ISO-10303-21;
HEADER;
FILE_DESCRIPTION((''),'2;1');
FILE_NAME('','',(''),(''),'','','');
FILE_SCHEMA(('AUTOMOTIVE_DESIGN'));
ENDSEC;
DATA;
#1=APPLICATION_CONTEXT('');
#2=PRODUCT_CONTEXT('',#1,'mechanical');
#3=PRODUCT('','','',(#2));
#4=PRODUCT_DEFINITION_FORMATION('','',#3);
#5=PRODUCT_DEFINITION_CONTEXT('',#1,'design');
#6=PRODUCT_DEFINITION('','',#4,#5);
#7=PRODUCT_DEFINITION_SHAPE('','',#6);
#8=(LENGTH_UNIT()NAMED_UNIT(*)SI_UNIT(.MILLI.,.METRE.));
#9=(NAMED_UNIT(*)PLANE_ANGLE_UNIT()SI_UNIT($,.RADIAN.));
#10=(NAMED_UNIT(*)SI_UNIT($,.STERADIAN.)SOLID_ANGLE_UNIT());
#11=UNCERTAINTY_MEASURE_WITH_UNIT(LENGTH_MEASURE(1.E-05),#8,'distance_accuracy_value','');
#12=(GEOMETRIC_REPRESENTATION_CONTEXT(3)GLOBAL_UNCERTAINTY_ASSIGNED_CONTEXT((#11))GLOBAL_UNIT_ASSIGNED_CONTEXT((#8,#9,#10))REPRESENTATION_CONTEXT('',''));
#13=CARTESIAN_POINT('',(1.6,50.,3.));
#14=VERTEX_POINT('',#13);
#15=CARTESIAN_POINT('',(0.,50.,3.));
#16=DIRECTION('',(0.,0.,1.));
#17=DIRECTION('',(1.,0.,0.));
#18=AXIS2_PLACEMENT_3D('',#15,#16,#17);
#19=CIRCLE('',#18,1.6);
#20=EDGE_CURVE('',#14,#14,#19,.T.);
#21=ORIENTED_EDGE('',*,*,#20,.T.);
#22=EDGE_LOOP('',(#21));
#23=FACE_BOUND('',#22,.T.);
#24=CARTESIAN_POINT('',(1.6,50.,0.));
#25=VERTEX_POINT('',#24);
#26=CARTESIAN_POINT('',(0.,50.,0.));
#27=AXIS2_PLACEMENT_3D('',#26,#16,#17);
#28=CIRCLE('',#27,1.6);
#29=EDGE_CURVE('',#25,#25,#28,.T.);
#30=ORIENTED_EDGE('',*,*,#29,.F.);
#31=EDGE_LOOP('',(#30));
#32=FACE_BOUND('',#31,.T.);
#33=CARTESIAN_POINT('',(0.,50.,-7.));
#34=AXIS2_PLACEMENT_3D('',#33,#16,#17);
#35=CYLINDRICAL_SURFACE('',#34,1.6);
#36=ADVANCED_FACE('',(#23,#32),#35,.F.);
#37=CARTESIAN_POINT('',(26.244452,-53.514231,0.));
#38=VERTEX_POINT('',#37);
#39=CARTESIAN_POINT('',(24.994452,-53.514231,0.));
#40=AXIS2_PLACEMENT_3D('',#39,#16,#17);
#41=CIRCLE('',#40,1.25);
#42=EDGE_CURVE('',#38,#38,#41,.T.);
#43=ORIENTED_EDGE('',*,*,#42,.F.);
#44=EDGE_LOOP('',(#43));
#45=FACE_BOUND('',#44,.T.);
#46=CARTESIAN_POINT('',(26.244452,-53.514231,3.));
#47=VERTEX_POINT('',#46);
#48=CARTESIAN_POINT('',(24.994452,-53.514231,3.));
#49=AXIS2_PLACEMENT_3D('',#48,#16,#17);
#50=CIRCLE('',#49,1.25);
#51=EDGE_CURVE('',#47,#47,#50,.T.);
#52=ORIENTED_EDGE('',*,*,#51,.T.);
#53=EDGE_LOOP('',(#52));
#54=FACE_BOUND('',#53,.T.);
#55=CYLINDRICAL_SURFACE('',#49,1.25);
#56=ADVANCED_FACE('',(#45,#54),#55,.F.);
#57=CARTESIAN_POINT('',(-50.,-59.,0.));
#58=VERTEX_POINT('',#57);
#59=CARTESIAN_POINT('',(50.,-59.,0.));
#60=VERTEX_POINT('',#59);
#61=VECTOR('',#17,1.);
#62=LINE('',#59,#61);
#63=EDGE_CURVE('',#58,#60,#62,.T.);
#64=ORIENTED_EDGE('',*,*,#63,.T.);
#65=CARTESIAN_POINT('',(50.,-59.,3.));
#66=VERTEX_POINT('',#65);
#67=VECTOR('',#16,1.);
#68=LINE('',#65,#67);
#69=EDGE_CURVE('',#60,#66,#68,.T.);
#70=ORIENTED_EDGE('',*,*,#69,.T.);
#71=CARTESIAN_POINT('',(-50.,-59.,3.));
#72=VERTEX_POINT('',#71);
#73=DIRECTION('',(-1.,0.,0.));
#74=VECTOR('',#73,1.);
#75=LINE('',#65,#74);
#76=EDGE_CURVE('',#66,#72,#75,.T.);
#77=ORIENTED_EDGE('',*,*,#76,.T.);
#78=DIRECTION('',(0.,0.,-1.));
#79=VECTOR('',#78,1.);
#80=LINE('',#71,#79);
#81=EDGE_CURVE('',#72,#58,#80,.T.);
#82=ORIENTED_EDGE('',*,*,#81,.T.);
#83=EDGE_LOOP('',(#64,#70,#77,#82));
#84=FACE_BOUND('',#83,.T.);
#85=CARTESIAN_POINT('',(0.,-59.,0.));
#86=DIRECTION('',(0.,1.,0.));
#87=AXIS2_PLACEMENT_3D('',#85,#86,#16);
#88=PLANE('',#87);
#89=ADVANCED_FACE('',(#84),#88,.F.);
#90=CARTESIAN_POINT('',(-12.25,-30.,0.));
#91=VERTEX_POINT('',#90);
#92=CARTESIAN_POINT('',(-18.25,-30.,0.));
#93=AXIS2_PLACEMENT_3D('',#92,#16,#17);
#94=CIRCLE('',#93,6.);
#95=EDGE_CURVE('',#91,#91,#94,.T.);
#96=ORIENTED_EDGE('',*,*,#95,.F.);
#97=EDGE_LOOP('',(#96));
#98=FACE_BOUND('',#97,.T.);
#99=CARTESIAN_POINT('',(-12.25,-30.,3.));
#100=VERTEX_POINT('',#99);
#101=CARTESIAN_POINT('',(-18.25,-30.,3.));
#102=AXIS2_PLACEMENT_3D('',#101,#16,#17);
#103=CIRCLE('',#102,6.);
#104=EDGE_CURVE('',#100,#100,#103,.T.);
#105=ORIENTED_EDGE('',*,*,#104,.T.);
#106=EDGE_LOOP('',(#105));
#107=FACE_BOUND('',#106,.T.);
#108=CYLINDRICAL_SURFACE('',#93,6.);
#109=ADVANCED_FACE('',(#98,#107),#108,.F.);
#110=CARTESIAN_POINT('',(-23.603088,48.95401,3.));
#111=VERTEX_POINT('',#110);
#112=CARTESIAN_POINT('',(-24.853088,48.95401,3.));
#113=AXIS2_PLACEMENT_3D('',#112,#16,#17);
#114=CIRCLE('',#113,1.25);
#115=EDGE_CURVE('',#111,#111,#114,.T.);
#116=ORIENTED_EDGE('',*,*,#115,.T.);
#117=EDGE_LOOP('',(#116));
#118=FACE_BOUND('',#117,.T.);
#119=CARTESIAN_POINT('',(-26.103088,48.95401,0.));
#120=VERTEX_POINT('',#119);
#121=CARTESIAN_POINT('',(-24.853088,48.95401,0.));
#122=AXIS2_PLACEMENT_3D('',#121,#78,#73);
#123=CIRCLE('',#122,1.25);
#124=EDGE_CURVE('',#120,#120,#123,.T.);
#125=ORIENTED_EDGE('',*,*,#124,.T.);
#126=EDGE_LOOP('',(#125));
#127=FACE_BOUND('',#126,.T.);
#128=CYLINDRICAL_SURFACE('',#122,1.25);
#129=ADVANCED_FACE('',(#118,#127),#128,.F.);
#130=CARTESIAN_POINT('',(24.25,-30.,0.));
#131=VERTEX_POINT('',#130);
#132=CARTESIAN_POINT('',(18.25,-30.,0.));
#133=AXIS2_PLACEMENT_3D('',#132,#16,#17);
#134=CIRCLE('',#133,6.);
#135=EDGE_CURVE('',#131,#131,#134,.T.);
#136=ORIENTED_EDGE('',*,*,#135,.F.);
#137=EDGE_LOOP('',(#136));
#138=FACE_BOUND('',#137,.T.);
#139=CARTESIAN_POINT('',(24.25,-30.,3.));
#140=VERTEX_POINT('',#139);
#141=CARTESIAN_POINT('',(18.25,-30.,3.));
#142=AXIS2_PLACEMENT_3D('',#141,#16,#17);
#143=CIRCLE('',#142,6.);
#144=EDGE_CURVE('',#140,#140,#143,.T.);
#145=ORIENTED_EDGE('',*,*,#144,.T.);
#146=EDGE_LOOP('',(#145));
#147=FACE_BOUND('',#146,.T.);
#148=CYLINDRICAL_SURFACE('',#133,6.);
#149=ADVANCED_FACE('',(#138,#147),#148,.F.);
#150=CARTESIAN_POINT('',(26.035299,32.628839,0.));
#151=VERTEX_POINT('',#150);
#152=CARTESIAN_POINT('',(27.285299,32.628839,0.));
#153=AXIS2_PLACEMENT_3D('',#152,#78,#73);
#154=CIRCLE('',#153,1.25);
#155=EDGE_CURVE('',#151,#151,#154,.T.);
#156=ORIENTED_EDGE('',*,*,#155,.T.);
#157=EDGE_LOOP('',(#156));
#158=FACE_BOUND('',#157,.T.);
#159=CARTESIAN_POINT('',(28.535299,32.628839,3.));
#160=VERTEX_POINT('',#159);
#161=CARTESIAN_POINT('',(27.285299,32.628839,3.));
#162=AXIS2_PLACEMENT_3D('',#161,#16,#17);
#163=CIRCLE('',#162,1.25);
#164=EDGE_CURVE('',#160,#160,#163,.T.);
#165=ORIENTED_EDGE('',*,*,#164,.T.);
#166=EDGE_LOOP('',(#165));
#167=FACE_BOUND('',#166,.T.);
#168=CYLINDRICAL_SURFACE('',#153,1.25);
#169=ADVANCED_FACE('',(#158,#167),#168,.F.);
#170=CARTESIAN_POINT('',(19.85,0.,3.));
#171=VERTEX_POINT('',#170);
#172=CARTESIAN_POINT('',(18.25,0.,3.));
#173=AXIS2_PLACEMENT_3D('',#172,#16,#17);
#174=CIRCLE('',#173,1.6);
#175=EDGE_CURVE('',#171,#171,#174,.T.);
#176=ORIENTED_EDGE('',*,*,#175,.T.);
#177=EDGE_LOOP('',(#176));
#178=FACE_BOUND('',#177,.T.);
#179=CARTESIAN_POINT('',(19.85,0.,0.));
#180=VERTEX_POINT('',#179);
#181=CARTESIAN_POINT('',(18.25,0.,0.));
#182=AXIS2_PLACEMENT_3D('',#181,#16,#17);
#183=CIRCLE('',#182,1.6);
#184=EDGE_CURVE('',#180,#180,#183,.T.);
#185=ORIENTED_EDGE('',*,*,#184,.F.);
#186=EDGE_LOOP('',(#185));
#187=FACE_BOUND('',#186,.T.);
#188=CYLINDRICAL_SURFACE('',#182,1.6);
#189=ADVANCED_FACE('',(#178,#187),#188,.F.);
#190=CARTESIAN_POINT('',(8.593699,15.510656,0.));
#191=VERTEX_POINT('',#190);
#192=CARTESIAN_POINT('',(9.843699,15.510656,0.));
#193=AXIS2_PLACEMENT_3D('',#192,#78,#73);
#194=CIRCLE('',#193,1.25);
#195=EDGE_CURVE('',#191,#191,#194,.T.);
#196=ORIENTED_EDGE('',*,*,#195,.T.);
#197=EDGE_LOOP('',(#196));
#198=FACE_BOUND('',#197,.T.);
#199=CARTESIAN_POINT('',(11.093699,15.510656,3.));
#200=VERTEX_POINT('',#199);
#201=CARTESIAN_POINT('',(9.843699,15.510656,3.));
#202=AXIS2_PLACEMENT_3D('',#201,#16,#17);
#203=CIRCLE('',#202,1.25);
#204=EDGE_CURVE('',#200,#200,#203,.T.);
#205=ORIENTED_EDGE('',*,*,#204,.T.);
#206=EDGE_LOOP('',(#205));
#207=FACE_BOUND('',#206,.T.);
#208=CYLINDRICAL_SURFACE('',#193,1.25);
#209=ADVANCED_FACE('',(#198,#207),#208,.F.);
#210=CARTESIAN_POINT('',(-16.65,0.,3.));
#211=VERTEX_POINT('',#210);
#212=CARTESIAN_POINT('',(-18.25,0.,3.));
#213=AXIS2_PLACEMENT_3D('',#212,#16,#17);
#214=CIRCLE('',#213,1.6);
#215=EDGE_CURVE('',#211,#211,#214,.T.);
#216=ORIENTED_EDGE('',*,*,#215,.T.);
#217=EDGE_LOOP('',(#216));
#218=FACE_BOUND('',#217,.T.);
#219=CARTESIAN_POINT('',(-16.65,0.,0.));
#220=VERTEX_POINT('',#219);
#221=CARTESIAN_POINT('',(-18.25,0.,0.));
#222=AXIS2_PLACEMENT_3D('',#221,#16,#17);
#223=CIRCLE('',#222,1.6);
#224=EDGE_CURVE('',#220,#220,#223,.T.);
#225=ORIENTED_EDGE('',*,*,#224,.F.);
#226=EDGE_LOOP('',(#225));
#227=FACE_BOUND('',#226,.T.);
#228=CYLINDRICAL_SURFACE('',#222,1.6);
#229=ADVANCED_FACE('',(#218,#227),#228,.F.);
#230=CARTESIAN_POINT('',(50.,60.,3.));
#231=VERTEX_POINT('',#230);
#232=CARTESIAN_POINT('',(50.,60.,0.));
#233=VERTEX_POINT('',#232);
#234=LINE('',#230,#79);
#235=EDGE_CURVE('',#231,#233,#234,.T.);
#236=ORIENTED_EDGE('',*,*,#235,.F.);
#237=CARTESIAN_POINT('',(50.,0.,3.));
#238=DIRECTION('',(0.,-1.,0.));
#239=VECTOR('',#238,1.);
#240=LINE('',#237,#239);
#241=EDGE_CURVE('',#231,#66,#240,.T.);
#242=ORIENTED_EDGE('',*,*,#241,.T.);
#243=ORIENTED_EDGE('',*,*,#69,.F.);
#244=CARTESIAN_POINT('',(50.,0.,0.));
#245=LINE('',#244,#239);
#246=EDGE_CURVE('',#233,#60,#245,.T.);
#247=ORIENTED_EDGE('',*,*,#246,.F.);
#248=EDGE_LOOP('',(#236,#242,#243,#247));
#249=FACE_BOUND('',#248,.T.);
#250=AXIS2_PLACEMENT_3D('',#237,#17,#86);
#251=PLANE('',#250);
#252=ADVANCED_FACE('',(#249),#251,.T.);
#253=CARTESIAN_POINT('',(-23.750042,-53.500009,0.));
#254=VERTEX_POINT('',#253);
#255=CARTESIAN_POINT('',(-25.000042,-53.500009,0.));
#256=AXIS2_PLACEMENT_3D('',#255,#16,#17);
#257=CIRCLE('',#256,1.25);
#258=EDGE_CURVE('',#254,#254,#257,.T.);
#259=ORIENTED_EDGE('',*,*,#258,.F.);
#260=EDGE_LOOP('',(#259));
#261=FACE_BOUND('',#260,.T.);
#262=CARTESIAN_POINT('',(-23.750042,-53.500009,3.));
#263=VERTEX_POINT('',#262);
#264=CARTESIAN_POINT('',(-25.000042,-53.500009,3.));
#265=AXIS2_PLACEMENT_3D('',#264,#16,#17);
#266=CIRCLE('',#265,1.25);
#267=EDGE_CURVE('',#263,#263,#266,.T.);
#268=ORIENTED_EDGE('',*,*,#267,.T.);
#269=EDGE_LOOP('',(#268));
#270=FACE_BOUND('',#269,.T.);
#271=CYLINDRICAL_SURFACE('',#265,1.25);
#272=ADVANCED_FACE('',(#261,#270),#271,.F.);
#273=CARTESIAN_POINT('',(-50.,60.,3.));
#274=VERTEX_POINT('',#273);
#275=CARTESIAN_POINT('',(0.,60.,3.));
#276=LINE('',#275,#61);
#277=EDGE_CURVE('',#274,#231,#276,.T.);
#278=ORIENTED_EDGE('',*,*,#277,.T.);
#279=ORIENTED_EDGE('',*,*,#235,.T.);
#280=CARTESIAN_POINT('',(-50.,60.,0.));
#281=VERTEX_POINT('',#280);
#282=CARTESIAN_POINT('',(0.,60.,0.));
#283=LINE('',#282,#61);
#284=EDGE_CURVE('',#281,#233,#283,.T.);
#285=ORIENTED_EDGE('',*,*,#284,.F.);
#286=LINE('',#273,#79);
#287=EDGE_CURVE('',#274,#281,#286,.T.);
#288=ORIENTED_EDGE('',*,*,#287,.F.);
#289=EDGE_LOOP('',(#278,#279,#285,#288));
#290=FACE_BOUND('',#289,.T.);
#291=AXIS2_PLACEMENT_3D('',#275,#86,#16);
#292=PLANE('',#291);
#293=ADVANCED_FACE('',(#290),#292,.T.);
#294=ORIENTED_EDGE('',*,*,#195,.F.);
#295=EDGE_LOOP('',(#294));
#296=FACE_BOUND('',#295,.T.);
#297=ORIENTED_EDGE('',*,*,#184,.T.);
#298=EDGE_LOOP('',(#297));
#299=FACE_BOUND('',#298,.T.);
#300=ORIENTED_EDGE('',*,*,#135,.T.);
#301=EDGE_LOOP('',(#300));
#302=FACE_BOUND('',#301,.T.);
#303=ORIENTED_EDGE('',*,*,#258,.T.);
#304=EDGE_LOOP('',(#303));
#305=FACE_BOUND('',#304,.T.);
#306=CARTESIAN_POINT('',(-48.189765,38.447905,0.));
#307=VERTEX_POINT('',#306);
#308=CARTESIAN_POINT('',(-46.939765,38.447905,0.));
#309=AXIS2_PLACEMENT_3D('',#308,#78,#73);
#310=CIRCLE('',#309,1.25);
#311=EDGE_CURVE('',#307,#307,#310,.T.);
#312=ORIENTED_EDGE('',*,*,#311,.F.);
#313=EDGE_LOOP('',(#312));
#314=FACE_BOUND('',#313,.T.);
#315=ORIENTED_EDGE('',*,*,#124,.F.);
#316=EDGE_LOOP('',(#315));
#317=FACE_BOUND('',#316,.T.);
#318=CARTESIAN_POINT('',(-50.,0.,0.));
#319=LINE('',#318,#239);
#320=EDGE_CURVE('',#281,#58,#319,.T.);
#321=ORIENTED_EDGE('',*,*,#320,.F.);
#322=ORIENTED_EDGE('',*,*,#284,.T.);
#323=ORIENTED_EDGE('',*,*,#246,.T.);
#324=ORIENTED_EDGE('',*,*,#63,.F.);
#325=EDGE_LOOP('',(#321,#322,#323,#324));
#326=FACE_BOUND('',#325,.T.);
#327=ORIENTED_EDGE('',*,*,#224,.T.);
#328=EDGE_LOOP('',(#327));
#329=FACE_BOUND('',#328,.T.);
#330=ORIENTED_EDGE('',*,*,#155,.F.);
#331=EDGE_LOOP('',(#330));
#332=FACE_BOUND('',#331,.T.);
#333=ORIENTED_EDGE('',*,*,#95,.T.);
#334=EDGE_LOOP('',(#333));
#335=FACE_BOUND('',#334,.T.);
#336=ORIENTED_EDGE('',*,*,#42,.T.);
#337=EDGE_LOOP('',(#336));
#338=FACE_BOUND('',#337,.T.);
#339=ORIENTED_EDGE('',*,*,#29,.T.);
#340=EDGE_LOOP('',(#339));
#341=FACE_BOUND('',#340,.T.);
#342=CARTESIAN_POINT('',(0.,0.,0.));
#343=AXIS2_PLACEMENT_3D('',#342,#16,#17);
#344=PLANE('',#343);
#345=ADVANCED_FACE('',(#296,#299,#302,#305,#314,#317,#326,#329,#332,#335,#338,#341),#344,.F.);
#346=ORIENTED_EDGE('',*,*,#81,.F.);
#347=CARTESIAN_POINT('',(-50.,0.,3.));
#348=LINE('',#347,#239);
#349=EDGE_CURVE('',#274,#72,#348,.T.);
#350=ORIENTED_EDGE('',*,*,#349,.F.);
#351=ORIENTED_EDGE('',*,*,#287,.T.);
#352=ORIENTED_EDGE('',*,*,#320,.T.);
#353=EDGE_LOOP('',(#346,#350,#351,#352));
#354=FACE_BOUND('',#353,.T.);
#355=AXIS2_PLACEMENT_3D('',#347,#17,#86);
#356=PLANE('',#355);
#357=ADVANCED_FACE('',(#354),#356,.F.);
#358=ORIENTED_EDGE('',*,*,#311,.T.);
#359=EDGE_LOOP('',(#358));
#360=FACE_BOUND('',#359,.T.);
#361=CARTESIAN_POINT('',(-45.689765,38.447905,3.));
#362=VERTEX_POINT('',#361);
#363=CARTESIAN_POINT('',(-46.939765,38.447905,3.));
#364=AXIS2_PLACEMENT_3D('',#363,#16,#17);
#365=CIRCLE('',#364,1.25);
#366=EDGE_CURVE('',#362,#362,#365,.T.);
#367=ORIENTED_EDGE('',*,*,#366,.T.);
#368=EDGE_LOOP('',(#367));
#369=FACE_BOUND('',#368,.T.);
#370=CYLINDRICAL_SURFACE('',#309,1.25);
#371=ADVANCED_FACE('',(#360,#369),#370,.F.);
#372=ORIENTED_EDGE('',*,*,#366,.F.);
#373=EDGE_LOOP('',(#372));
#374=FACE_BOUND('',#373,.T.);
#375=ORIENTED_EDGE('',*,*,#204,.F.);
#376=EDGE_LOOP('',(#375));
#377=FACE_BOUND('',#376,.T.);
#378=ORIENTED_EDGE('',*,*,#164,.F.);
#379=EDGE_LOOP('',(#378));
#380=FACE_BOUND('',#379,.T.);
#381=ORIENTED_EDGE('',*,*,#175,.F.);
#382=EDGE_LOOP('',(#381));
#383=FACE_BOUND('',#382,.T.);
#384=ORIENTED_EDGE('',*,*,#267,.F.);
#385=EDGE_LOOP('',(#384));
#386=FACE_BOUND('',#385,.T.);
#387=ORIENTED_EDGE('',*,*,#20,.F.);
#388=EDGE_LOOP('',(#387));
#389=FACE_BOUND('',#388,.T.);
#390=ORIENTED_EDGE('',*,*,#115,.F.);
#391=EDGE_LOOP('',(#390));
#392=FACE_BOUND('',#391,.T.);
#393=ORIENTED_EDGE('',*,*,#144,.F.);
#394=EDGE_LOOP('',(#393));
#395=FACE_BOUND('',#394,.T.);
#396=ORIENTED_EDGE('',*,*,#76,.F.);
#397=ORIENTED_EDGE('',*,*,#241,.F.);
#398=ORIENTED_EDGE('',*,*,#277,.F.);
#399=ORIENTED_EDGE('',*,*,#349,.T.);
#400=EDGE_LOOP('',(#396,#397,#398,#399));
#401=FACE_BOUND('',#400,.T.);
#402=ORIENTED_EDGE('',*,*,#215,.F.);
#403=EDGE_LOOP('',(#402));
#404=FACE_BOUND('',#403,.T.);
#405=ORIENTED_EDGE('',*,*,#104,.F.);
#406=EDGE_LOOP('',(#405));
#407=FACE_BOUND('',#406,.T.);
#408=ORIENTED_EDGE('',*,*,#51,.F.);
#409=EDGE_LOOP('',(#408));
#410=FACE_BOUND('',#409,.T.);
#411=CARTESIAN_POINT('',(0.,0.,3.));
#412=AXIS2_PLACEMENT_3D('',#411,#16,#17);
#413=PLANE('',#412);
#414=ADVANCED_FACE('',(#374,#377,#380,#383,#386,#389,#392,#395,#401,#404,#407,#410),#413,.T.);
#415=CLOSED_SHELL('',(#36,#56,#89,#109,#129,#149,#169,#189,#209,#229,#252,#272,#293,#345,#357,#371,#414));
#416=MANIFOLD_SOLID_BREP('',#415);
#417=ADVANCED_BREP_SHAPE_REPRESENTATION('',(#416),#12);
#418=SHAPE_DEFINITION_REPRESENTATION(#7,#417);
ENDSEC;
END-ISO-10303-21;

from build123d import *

# Parameters (mm, degrees)
SKETCH_1_W          = 100
SKETCH_1_H          = 120
SKETCH_1_R          = 1.6
SKETCH_1_R_2        = 1.7
EXTRUDE_1_DEPTH     = 3
SKETCH_2_R          = 6
CUT_EXTRUDE_1_DEPTH = 3
SKETCH_3_R          = 1.6
CUT_EXTRUDE_2_DEPTH = 3
SKETCH_5_R          = 1.6
CUT_EXTRUDE_4_DEPTH = 10
SKETCH_6_W          = 100
SKETCH_6_H          = 3
CUT_EXTRUDE_5_DEPTH = 1
M3X0_5_2_D          = 2.5
M3X0_5_2_DEPTH      = 8.5
M3X0_5_2_TIP        = 0.751075774
M3X0_5_4_D          = 2.5
M3X0_5_4_DEPTH      = 8.5
M3X0_5_4_TIP        = 0.751075774


with BuildPart() as part:
    # ｽｹｯﾁ1 → ﾎﾞｽ - 押し出し1 (new body)
    with BuildSketch(Plane.XY):
        Rectangle(SKETCH_1_W, SKETCH_1_H)
        with Locations((27.323825812, 32.591356486)):
            Circle(SKETCH_1_R, mode=Mode.SUBTRACT)
        with Locations((9.838236374, 15.468735133)):
            Circle(SKETCH_1_R, mode=Mode.SUBTRACT)
        with Locations((-24.839988255, 48.970021629)):
            Circle(SKETCH_1_R, mode=Mode.SUBTRACT)
        with Locations((-46.955532443, 38.489911645)):
            Circle(SKETCH_1_R_2, mode=Mode.SUBTRACT)
        with Locations((-46.955532443, 38.489911645)):
            Circle(SKETCH_1_R_2)
        with Locations((-24.839988255, 48.970021629)):
            Circle(SKETCH_1_R)
        with Locations((9.838236374, 15.468735133)):
            Circle(SKETCH_1_R)
        with Locations((27.323825812, 32.591356486)):
            Circle(SKETCH_1_R)
    extrude(amount=EXTRUDE_1_DEPTH)

    # ｽｹｯﾁ2 → ｶｯﾄ - 押し出し1 (cut)
    with BuildSketch(Plane.XY.offset(3)):
        with Locations((18.25, -30)):
            Circle(SKETCH_2_R)
        with Locations((-18.25, -30)):
            Circle(SKETCH_2_R)
    extrude(amount=-CUT_EXTRUDE_1_DEPTH, mode=Mode.SUBTRACT)

    # ｽｹｯﾁ3 → ｶｯﾄ - 押し出し2 (cut)
    with BuildSketch(Plane.XY.offset(3)):
        with Locations((18.25, 0)):
            Circle(SKETCH_3_R)
        with Locations((-18.25, 0)):
            Circle(SKETCH_3_R)
    extrude(amount=-CUT_EXTRUDE_2_DEPTH, mode=Mode.SUBTRACT)

    # ｽｹｯﾁ5 → ｶｯﾄ - 押し出し4 (cut)
    with BuildSketch(Plane.XY.offset(3)):
        with Locations((0, 50)):
            Circle(SKETCH_5_R)
    extrude(amount=-CUT_EXTRUDE_4_DEPTH, mode=Mode.SUBTRACT)

    # ｽｹｯﾁ6 → ｶｯﾄ - 押し出し5 (cut)
    with BuildSketch(Plane(origin=(0, -60, 0), x_dir=(-1, 0, 0), z_dir=(0, -1, 0))):
        with Locations((0, -1.5)):
            Rectangle(SKETCH_6_W, SKETCH_6_H)
    extrude(amount=-CUT_EXTRUDE_5_DEPTH, mode=Mode.SUBTRACT)

    # M3x0.5 ねじ穴2
    with Locations(Plane(origin=(-24.853088108, 48.954010468, 0), x_dir=(-1, 0, 0), z_dir=(0, 0, -1))):
        with Locations((0, 0), (-52.138387466, -16.325171933), (-34.696786927, -33.443354168), (22.086677003, -10.506105498)):
            Hole(M3X0_5_2_D / 2, depth=M3X0_5_2_DEPTH)
            with Locations((0, 0, -(M3X0_5_2_DEPTH + M3X0_5_2_TIP / 2))):  # 118° drill point
                Cone(0, M3X0_5_2_D / 2, M3X0_5_2_TIP, mode=Mode.SUBTRACT)

    # M3x0.5 ねじ穴4
    with Locations(Plane(origin=(-25.000041654, -53.500009307, 3), x_dir=(1, 0, 0), z_dir=(0, 0, 1))):
        with Locations((0, 0), (4.1654e-05, 9.307e-06), (49.994493901, -0.014222141)):
            Hole(M3X0_5_4_D / 2, depth=M3X0_5_4_DEPTH)
            with Locations((0, 0, -(M3X0_5_4_DEPTH + M3X0_5_4_TIP / 2))):  # 118° drill point
                Cone(0, M3X0_5_4_D / 2, M3X0_5_4_TIP, mode=Mode.SUBTRACT)


solid = part.part
